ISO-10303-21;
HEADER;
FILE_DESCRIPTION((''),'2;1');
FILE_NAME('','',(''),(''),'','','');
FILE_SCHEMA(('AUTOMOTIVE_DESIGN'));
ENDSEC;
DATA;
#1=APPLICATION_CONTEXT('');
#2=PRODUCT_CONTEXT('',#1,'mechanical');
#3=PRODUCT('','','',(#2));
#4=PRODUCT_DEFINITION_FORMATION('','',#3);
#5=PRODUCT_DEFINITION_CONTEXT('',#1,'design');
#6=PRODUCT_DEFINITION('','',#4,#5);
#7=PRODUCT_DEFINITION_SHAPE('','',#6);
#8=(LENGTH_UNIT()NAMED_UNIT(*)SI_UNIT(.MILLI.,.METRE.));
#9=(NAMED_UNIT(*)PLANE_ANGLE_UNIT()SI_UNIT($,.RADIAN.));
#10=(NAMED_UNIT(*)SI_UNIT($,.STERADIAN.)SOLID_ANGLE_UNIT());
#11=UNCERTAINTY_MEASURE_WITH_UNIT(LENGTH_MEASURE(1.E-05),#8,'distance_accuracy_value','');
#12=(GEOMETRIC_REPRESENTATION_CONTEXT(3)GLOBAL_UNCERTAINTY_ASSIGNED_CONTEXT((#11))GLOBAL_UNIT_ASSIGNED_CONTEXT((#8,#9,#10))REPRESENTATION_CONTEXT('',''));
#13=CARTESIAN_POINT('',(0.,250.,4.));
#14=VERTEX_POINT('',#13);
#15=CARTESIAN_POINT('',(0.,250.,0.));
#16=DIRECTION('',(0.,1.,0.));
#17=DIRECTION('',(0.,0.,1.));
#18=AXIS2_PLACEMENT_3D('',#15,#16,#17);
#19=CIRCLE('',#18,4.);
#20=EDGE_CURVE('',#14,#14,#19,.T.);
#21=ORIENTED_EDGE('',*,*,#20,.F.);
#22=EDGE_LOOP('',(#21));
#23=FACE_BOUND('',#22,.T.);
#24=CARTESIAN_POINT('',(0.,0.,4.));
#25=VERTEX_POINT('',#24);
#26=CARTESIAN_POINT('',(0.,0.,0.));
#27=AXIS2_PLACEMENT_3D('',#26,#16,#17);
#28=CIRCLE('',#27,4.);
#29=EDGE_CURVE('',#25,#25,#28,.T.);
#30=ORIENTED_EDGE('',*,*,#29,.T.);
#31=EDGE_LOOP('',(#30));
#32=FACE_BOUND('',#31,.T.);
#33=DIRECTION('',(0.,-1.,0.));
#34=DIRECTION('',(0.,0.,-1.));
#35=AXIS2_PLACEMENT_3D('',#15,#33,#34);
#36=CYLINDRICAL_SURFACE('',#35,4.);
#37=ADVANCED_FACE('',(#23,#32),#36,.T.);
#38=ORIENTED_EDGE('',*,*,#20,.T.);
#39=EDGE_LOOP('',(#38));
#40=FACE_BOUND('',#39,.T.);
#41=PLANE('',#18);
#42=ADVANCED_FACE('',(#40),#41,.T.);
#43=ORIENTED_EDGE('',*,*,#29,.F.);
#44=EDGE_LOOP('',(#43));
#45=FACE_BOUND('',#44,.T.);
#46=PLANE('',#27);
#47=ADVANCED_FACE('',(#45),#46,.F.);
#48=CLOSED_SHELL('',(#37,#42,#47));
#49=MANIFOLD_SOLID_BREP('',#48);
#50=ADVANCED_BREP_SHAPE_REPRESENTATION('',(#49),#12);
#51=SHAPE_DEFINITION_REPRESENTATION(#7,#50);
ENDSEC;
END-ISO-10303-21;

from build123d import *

# Parameters (mm, degrees)
CROQUIS1_R              = 4
SALIENTE_EXTRUIR1_DEPTH = 250


with BuildPart() as part:
    # Croquis1 → Saliente-Extruir1 (new body)
    with BuildSketch(Plane(origin=(0, 0, 0), x_dir=(1, 0, 0), z_dir=(0, 1, 0))):
        Circle(CROQUIS1_R)
    extrude(amount=SALIENTE_EXTRUIR1_DEPTH)


solid = part.part
